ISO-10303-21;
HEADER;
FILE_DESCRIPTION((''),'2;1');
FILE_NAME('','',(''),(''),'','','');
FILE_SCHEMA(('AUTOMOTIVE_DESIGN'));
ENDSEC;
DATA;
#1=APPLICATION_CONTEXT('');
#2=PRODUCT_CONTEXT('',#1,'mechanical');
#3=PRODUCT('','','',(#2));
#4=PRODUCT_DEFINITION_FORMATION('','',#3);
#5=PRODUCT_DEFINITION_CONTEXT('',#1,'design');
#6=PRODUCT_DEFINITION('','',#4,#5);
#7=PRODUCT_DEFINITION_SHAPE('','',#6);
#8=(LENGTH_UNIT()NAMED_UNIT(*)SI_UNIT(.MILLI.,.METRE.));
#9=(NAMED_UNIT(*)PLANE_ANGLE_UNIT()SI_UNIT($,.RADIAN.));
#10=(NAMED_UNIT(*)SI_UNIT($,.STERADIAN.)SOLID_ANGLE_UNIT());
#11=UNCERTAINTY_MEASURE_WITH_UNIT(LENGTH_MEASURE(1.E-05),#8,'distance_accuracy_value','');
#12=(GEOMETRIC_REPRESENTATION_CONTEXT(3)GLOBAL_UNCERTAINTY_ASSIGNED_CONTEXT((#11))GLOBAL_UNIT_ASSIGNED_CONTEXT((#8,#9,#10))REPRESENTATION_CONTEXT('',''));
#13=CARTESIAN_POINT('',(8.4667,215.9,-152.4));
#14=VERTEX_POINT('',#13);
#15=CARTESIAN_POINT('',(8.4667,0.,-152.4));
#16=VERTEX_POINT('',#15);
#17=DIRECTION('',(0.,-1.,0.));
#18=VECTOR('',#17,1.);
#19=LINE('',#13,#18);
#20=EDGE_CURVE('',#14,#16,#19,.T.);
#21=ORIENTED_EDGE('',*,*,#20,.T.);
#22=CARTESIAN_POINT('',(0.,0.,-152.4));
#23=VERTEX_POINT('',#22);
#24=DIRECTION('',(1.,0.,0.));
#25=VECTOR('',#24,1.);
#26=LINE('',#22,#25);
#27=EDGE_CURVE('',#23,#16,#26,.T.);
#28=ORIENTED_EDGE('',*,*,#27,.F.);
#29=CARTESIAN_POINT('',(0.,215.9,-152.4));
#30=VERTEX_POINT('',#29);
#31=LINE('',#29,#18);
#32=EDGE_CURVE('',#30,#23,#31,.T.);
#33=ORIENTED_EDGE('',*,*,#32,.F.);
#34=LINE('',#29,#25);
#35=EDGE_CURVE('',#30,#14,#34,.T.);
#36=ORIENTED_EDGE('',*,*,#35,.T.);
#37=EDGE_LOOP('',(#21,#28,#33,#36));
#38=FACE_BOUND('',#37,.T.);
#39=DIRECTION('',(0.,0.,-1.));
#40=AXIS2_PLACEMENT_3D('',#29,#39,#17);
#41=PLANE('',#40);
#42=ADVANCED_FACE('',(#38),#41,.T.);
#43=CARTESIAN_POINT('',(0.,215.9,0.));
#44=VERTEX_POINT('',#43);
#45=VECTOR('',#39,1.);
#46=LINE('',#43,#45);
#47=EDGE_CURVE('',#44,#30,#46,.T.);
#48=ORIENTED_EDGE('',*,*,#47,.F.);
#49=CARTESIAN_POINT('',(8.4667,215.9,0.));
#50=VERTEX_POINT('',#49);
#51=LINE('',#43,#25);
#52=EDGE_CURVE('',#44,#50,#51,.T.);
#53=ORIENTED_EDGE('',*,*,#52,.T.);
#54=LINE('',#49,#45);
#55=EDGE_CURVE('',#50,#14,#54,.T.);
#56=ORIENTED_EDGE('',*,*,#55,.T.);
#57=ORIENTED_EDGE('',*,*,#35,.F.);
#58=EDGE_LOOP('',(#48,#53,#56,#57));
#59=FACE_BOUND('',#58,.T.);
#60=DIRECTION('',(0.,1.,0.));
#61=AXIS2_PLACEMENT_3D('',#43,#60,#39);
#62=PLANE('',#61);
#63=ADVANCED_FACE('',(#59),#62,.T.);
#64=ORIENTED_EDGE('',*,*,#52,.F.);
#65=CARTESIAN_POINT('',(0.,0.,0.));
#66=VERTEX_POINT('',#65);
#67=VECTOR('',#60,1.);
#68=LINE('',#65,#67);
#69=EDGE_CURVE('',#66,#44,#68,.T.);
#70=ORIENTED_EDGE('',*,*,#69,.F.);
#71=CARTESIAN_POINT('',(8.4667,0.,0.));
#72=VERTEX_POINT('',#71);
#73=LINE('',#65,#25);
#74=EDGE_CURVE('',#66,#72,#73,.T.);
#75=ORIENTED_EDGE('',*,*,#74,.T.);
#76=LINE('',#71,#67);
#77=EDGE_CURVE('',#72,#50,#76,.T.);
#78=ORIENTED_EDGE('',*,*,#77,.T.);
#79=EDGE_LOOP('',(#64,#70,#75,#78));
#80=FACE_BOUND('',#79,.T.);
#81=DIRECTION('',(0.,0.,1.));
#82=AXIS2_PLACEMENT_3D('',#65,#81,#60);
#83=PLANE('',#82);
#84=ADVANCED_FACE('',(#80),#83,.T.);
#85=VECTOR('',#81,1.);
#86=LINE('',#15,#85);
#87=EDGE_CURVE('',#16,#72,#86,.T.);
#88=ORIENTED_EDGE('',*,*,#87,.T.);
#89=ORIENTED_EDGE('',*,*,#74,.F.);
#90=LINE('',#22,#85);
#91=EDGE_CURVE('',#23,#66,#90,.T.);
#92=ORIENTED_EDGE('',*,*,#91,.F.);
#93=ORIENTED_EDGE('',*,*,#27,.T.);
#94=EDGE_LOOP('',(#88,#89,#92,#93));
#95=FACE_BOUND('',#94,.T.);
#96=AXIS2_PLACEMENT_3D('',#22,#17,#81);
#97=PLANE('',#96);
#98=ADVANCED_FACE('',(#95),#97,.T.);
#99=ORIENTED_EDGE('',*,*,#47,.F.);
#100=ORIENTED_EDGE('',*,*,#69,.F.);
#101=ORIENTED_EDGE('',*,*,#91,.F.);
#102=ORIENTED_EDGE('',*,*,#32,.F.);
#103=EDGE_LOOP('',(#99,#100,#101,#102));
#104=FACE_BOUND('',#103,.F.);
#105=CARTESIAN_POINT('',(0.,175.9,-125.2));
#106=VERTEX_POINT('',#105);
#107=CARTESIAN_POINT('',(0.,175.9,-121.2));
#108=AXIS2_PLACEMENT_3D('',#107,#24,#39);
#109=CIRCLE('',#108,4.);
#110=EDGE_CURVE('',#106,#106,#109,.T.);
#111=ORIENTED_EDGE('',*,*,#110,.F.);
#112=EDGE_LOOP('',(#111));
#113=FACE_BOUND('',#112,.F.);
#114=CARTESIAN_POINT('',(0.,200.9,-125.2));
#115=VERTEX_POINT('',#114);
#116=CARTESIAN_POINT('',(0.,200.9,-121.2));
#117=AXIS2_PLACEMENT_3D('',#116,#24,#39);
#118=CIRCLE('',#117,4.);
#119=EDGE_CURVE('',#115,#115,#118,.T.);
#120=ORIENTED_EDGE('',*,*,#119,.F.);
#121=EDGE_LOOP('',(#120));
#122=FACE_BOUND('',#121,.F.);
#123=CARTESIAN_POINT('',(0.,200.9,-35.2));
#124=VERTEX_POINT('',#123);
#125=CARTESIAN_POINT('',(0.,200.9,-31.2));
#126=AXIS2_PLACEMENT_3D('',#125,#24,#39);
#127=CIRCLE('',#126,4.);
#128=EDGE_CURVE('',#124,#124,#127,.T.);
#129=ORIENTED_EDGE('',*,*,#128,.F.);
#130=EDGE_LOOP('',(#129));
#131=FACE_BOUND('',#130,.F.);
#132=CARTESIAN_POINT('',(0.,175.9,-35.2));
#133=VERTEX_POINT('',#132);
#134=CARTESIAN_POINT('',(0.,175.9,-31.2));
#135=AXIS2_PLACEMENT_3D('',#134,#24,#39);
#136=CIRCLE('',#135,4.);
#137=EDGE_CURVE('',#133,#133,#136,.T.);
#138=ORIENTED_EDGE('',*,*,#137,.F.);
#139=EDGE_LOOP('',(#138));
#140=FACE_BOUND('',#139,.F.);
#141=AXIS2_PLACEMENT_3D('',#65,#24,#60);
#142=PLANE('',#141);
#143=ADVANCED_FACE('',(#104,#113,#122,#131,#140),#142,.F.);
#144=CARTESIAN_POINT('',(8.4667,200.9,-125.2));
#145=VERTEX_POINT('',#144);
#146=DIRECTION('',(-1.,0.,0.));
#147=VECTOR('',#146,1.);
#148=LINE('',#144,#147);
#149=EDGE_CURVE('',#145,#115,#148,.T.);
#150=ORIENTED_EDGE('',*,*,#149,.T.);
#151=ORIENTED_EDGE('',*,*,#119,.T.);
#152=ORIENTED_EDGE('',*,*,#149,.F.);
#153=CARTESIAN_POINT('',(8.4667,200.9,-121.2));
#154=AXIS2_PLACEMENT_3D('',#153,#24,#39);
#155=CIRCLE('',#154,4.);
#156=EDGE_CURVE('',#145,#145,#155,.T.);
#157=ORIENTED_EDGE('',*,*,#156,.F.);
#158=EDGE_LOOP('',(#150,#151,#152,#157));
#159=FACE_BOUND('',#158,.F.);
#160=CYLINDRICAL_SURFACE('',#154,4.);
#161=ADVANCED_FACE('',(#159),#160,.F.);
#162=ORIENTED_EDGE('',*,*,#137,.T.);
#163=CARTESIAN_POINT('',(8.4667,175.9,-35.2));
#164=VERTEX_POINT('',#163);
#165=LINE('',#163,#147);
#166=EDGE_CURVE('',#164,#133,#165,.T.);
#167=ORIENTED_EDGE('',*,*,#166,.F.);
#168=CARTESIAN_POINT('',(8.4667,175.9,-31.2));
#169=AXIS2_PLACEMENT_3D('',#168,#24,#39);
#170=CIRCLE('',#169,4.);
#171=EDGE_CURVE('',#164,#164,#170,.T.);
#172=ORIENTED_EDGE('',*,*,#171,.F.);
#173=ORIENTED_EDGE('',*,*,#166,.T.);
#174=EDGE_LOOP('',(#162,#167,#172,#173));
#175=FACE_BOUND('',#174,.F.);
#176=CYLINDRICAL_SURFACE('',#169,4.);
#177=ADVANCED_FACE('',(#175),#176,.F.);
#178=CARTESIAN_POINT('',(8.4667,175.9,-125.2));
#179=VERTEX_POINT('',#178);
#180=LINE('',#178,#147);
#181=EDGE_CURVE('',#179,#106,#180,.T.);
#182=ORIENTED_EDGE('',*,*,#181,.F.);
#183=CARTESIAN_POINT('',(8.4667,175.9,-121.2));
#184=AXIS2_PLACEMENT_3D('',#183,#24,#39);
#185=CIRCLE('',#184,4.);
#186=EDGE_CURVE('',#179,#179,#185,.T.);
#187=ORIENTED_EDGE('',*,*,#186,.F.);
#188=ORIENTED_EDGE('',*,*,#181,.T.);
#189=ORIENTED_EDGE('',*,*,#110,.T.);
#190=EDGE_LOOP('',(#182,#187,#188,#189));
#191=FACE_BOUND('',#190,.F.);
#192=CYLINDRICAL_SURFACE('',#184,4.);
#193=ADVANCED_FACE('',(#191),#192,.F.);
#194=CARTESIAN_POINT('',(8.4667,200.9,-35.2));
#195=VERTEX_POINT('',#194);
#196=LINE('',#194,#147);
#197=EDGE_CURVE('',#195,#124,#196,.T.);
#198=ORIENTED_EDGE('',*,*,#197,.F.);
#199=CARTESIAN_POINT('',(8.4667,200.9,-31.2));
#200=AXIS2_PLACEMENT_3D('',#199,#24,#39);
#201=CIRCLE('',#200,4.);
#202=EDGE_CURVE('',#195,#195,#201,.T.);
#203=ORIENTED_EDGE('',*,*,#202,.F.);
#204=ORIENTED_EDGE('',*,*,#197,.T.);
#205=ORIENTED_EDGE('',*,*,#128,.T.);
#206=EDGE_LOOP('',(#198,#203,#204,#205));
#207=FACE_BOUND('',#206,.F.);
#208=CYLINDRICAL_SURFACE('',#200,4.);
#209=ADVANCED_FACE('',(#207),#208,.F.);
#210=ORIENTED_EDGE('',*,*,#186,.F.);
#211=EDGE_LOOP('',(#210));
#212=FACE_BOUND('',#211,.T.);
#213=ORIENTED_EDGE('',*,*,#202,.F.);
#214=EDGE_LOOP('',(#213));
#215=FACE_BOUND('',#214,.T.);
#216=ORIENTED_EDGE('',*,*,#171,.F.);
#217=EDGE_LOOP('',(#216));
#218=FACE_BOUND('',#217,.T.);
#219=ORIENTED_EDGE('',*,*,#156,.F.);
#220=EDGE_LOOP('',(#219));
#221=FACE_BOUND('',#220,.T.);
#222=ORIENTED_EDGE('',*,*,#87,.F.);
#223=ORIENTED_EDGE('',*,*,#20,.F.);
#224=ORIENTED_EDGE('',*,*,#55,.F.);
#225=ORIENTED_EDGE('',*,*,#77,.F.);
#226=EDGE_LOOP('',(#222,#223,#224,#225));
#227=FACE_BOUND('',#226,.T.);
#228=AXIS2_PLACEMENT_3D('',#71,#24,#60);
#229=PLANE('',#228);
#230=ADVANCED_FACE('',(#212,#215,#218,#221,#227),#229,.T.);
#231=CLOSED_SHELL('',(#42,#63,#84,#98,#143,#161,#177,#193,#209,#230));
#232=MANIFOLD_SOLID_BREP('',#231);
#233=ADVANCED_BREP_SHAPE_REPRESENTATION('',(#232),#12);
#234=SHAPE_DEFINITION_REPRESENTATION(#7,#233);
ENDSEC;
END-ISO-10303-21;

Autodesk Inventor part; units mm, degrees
ref_plane "YZ Plane" through (0, 0, 0) normal (1, 0, 0) x (0, 1, 0)
ref_plane "XZ Plane" through (0, 0, 0) normal (0, 1, 0) x (-1, 0, 0)
ref_plane "XY Plane" through (0, 0, 0) normal (0, 0, 1) x (1, 0, 0)
sketch "Sketch1" plane through (0, 0, 0) normal (1, 0, 0) x (0, 1, 0)
  line L0 (0, 0) -> (215.9, 0)
  line L1 (215.9, 0) -> (215.9, -152.4)
  line L2 (215.9, -152.4) -> (0, -152.4)
  line L3 (0, -152.4) -> (0, 0)
  dimension "d0" = 152.4
  dimension "d1" = 215.9
extrude "Extrusion1" add sketch "Sketch1" along normal blind 8.4667
sketch "Sketch3" plane through (8.4667, 0, 0) normal (1, 0, 0) x (0, 0, -1)
  line L0 (121.2, 175.9) -> (31.2, 175.9) construction
  line L1 (31.2, 175.9) -> (31.2, 200.9) construction
  line L2 (31.2, 200.9) -> (121.2, 200.9) construction
  line L3 (121.2, 200.9) -> (121.2, 175.9) construction
  circle A0 centre (121.2, 175.9) radius 4
  circle A1 centre (31.2, 175.9) radius 4
  circle A2 centre (121.2, 200.9) radius 4
  circle A3 centre (31.2, 200.9) radius 4
  line L4 (152.4, 215.9) -> (0, 215.9) construction
  point P0 (0, 0)
  point P1 (76.2, 175.9)
  point P2 (76.2, 215.9)
  point P3 (76.2, 215.9)
  dimension "d4" = 8
  dimension "d5" = 25
  dimension "d6" = 90
  dimension "d7" = 15
extrude "Extrusion2" cut sketch "Sketch3" against normal blind 8.4667
properties part number "Y_PLATE"
